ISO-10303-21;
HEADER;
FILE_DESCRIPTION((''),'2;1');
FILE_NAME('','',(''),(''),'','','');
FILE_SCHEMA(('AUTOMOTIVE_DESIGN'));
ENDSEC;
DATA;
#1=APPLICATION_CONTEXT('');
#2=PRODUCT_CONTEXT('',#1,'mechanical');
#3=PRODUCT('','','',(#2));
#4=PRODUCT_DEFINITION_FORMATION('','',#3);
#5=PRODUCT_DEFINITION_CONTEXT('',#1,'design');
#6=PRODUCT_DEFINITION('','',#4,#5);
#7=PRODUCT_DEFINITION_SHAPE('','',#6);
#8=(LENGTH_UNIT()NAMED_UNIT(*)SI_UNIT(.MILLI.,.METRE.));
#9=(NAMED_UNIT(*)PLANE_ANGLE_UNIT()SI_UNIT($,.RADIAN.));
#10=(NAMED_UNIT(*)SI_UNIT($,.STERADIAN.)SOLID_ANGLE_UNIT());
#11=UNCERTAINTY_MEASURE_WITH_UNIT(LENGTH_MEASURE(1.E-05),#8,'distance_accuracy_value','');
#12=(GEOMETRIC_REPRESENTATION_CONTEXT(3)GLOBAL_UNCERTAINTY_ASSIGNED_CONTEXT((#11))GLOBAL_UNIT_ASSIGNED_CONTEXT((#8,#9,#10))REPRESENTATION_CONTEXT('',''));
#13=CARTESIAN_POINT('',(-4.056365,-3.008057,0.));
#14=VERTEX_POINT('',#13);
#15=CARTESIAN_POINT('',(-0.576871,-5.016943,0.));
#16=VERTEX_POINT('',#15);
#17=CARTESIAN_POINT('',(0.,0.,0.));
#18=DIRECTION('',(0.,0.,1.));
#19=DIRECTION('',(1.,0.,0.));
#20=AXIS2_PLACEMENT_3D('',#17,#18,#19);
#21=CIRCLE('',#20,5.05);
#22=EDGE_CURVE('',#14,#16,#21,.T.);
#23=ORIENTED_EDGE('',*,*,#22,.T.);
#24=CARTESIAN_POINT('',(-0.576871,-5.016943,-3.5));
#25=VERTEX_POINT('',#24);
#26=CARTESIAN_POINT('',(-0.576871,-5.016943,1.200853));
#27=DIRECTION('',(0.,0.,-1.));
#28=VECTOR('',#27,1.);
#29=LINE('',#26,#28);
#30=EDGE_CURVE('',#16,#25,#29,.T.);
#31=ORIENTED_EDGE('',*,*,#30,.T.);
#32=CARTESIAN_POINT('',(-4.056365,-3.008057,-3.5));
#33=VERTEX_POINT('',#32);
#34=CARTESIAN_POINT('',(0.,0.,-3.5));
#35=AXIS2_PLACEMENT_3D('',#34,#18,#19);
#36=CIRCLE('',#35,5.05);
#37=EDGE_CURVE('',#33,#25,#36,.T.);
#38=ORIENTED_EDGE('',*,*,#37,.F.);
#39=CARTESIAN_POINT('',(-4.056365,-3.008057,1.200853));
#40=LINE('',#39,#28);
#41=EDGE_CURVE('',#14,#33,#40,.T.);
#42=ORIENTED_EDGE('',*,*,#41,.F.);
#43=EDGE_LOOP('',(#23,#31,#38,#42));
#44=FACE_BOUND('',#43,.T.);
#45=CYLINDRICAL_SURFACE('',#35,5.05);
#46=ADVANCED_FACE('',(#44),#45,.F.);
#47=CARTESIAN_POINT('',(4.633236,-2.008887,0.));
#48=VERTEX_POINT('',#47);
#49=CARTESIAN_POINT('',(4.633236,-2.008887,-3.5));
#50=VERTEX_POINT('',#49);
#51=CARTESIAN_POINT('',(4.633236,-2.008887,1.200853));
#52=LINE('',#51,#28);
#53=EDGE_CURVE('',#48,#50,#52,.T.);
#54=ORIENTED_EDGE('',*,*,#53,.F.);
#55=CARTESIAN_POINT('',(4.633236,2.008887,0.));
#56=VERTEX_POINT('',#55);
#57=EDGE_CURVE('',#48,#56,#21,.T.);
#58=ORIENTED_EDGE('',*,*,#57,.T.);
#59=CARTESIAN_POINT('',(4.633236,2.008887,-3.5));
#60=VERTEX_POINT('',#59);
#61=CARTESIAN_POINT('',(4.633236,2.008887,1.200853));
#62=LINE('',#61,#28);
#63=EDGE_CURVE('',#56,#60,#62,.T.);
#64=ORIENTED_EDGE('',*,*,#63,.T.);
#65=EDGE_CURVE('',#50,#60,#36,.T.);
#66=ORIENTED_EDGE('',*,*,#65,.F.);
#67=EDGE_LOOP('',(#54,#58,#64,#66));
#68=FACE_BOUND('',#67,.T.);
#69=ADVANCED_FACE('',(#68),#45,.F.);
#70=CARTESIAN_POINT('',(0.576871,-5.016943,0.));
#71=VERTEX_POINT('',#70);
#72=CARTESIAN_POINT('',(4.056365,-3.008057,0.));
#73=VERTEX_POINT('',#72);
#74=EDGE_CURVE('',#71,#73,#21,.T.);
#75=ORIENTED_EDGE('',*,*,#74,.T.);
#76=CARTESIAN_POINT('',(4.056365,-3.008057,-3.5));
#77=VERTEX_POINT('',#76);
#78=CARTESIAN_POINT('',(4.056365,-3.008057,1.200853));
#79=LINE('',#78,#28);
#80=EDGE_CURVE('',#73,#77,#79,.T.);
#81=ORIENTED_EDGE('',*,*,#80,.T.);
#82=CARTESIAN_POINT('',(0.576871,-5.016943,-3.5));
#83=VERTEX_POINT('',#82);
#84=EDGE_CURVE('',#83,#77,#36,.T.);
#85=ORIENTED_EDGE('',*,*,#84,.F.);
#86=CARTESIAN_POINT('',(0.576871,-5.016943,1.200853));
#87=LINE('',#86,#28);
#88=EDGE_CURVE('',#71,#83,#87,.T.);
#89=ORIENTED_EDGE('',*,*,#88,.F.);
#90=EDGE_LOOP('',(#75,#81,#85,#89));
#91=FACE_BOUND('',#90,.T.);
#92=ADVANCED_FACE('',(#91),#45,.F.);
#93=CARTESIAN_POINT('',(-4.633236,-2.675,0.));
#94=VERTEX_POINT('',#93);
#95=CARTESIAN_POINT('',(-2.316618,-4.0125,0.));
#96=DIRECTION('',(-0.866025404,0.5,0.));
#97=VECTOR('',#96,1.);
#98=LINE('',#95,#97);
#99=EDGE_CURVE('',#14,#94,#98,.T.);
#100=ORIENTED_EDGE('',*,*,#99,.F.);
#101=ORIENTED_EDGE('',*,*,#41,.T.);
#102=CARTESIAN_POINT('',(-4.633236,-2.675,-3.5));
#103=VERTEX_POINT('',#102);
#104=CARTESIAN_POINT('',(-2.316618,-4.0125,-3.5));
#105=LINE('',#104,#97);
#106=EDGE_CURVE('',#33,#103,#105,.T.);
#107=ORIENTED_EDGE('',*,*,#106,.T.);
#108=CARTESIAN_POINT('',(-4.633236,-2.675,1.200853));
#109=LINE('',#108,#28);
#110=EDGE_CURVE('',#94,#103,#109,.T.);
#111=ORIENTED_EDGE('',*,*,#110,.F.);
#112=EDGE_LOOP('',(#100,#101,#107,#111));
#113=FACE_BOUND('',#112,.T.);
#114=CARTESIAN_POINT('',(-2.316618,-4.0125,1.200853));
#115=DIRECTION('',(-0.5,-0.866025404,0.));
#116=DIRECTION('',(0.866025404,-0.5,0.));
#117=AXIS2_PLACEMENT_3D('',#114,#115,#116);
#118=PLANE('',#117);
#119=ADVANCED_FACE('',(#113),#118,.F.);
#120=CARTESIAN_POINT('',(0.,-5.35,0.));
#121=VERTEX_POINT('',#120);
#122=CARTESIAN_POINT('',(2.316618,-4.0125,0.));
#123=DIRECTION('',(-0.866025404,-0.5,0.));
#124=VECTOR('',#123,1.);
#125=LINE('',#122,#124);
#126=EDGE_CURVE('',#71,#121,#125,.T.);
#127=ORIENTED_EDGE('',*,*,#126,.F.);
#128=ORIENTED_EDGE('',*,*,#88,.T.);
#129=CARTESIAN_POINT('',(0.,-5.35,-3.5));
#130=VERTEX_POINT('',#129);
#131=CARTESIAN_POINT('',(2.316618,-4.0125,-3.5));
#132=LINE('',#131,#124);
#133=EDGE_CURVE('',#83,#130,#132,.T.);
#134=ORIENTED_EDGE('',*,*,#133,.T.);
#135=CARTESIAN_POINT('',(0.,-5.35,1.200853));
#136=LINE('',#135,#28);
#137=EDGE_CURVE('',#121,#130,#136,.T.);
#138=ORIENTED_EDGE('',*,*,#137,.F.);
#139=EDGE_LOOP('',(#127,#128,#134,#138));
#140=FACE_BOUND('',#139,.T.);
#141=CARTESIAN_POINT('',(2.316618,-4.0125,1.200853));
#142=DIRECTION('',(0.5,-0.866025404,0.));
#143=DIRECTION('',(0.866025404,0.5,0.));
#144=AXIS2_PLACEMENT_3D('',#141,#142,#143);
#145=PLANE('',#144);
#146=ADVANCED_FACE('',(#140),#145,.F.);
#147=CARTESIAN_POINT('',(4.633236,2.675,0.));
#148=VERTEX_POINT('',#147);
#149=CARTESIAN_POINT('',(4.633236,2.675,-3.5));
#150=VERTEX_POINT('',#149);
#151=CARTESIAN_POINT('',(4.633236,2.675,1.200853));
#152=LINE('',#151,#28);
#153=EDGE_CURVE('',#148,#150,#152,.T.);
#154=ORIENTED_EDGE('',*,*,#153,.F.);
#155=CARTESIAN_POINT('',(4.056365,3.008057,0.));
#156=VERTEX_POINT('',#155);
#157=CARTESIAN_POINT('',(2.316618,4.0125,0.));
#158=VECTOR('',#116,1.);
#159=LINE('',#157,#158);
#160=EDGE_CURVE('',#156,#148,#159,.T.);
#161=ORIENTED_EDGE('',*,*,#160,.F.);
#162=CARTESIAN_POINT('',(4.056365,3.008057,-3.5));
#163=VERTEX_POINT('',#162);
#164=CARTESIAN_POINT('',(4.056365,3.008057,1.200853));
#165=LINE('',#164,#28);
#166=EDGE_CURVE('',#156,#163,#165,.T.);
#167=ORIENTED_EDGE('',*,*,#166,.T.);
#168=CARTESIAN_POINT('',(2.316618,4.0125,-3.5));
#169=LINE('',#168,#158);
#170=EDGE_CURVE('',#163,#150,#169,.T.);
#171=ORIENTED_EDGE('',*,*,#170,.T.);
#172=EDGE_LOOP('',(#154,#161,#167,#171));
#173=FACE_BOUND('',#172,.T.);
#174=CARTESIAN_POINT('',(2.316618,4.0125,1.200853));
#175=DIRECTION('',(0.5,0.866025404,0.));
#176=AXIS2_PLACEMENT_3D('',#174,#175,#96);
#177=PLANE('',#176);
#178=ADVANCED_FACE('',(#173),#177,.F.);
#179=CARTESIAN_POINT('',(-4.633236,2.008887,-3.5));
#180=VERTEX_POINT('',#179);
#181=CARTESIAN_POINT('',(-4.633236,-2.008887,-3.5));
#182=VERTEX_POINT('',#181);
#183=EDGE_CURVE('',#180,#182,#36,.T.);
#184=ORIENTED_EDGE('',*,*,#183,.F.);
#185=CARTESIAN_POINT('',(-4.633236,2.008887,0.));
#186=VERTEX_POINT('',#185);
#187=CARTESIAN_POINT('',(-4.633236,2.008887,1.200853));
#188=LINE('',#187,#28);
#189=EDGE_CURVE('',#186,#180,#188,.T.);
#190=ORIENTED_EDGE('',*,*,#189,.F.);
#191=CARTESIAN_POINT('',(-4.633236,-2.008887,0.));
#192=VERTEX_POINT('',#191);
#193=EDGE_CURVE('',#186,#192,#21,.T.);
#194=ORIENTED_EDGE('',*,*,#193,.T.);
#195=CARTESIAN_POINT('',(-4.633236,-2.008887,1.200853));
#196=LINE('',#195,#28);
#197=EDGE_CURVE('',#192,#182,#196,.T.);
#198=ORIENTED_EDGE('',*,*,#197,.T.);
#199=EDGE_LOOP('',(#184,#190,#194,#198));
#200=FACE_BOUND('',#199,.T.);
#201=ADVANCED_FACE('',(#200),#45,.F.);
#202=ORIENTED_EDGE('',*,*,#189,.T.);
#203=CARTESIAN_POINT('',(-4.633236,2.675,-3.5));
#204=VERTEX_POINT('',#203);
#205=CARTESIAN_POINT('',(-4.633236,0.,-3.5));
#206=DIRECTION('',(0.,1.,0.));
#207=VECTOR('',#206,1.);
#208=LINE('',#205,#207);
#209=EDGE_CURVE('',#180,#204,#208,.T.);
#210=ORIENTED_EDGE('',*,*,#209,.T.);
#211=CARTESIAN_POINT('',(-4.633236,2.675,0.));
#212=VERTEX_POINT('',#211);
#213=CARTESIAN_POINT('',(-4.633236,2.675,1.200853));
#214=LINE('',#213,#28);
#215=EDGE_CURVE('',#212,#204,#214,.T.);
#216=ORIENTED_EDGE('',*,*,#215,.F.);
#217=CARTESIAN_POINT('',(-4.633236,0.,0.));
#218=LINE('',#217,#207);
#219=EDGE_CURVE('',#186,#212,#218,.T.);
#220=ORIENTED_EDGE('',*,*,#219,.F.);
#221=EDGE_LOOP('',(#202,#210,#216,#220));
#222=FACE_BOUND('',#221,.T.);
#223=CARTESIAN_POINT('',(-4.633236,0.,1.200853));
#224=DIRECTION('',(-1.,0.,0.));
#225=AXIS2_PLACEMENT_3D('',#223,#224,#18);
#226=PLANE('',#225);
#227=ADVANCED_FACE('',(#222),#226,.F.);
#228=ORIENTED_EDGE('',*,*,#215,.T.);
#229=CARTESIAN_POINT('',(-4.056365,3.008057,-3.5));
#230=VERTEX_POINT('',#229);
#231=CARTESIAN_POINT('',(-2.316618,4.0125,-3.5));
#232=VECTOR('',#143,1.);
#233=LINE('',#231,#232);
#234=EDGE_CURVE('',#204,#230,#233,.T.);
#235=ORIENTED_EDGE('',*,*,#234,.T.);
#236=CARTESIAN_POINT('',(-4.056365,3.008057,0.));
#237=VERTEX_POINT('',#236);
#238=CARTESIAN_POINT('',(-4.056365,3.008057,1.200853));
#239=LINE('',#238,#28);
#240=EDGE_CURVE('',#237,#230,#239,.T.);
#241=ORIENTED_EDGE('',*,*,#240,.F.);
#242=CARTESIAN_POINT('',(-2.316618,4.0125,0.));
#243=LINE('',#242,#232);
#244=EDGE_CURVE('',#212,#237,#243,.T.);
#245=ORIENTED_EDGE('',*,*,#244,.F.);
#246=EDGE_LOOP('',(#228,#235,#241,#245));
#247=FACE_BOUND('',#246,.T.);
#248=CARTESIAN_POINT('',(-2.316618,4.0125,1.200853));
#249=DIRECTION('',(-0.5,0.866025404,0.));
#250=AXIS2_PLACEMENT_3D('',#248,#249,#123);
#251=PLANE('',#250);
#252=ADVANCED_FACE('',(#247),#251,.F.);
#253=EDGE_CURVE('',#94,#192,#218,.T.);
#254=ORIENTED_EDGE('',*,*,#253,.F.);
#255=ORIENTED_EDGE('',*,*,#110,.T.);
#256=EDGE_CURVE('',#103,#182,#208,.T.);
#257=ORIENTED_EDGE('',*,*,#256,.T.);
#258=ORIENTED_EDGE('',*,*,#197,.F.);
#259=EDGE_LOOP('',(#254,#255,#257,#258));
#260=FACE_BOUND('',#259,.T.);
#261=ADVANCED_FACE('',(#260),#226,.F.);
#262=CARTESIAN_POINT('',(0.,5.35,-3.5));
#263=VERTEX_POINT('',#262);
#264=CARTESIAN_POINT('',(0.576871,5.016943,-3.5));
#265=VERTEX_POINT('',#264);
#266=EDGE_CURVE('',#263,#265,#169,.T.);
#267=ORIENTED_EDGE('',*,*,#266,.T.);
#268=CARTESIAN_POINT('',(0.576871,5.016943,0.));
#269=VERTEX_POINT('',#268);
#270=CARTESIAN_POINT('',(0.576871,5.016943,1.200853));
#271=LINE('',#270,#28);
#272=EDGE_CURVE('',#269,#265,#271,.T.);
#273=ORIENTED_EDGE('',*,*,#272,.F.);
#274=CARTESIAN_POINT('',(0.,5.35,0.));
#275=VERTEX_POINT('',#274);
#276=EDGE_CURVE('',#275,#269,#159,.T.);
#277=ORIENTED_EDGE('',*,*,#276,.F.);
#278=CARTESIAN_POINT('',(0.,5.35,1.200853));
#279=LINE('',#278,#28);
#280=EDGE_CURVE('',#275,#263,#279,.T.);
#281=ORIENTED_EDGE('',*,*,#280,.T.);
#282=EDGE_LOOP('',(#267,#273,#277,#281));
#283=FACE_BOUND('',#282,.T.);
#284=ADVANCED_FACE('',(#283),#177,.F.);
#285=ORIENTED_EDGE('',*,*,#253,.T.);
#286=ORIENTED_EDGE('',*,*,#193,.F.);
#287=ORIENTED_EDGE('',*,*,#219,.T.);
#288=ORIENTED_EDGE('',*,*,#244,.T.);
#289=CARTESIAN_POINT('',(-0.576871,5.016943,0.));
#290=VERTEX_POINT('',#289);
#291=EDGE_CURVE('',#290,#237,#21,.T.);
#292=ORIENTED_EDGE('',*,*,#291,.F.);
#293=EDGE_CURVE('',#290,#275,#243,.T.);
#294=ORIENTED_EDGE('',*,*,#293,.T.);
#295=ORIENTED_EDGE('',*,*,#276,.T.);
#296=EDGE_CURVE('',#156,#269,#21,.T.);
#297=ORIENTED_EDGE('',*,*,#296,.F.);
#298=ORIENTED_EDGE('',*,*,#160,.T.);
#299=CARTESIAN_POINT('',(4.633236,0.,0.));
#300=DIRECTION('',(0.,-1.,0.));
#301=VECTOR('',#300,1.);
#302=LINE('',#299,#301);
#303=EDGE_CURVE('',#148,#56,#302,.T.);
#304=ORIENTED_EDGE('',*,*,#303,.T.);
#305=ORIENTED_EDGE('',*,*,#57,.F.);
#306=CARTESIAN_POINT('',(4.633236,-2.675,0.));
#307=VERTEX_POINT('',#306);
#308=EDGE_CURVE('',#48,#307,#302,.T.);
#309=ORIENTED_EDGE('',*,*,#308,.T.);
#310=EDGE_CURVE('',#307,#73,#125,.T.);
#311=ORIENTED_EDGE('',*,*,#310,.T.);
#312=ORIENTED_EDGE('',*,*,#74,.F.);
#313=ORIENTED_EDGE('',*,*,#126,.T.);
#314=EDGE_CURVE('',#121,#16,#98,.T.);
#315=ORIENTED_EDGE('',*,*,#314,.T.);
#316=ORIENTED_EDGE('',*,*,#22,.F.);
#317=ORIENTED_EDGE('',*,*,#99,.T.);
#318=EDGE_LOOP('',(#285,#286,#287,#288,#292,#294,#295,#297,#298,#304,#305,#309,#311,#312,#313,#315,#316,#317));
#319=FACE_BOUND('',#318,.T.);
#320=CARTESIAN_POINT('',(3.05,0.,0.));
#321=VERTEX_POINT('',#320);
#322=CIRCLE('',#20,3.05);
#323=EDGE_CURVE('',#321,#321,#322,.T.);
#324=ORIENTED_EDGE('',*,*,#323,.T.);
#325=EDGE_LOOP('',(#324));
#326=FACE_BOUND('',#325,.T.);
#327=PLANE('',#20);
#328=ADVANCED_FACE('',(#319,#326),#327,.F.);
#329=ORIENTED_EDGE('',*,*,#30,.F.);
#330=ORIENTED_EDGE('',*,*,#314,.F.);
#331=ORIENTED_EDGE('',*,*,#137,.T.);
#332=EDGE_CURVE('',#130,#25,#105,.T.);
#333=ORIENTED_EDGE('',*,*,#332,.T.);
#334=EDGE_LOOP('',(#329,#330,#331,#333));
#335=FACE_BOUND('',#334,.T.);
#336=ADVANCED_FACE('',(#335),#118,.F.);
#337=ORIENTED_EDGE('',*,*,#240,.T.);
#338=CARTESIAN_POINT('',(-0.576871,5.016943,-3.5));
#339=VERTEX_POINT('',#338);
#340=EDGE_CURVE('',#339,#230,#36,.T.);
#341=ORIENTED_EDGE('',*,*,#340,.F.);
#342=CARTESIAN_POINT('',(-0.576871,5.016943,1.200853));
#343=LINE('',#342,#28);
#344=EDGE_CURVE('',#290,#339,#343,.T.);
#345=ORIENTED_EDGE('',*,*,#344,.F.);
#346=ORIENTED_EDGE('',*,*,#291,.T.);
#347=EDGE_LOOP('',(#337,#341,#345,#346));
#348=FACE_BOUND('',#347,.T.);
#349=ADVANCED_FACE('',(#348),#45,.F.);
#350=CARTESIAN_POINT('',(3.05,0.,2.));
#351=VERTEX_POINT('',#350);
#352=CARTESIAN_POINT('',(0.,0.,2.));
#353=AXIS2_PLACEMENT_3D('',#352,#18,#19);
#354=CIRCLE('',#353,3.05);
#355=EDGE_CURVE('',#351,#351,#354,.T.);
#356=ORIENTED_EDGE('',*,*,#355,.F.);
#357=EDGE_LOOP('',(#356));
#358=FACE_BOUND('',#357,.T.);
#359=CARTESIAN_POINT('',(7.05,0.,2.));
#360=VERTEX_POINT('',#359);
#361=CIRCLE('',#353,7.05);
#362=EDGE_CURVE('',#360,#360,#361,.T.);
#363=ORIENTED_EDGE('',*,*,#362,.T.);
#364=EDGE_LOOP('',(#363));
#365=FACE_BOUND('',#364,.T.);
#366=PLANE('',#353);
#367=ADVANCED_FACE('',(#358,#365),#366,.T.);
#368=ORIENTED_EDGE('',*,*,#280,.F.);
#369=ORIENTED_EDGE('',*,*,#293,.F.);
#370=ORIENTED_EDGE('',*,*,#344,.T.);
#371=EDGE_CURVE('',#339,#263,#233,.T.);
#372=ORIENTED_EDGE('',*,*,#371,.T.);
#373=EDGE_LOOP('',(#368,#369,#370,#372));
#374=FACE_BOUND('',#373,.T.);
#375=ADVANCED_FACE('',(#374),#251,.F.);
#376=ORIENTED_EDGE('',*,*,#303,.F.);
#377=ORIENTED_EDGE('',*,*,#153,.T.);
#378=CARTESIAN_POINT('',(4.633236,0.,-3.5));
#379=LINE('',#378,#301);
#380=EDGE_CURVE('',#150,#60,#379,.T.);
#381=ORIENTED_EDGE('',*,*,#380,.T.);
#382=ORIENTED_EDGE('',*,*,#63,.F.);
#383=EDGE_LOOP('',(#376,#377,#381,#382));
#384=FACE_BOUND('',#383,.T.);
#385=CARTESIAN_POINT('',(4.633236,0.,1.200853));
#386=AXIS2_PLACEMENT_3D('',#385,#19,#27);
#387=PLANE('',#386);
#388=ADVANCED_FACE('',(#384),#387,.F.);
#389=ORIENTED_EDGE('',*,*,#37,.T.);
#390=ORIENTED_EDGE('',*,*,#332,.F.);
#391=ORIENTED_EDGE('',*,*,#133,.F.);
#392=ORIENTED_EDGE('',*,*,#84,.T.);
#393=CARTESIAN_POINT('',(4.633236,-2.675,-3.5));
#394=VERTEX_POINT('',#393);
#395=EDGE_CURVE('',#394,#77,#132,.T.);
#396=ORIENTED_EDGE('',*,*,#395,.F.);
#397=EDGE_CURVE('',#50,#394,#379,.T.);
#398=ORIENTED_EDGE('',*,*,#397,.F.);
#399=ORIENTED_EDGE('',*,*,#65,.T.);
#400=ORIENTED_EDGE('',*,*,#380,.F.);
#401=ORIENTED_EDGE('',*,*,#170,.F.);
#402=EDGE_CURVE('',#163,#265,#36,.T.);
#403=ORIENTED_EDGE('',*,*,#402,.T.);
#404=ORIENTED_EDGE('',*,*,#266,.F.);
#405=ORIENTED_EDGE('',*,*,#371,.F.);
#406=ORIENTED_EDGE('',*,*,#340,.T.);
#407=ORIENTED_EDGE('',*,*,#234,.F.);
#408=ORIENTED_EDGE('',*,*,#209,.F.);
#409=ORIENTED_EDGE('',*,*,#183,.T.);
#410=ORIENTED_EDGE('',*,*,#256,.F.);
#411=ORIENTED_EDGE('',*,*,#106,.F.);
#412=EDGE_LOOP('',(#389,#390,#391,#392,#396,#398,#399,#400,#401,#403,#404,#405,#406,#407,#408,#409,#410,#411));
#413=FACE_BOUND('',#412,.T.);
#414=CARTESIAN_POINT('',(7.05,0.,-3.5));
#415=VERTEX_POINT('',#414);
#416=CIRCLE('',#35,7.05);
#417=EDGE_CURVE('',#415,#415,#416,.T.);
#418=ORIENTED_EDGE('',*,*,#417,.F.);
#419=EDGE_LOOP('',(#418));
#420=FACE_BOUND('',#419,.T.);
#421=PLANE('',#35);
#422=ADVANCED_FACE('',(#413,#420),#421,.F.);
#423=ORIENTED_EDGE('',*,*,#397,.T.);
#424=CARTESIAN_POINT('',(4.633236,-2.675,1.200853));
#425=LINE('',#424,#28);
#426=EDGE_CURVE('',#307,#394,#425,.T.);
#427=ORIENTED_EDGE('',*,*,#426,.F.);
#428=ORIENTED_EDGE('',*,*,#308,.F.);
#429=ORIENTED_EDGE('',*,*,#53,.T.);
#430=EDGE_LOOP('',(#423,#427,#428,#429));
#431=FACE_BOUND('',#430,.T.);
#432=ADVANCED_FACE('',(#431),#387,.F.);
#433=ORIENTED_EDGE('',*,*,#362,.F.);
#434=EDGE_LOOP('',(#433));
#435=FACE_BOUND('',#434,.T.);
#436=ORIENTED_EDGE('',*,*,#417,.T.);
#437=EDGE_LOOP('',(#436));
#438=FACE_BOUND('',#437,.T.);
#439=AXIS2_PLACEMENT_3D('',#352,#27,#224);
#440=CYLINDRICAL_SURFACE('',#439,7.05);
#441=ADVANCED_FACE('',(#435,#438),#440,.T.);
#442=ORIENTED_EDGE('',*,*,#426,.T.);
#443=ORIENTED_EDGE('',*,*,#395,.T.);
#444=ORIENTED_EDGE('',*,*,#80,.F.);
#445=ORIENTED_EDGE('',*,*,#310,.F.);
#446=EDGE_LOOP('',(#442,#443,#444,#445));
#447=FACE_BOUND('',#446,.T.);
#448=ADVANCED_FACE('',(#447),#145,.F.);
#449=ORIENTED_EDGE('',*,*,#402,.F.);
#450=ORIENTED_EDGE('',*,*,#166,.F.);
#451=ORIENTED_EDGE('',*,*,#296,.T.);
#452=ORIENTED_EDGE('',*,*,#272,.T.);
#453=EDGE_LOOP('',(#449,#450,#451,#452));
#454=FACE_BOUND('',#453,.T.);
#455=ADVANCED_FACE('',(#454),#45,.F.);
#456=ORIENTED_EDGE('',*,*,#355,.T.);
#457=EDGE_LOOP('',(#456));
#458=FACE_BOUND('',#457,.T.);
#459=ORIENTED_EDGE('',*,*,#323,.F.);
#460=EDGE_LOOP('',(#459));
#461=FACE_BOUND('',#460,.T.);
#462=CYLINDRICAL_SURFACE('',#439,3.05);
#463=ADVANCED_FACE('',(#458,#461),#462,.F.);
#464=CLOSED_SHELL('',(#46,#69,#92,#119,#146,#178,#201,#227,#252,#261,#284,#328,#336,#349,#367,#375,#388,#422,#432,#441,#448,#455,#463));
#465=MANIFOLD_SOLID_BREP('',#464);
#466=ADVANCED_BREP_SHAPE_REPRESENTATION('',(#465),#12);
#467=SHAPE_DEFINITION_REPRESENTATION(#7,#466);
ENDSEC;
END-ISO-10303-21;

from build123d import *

# Parameters (mm, degrees)
SKETCH1_R           = 7.05
SKETCH1_R_2         = 5.05
SKETCH1_R_3         = 3.05
BOSS_EXTRUDE1_DEPTH = 2
BOSS_EXTRUDE2_START = -3.5
SKETCH1_3_R         = 7.05
SKETCH1_3_R_2       = 5.05
BOSS_EXTRUDE2_DEPTH = 3.5
CUT_EXTRUDE1_DEPTH  = 3.5


with BuildPart() as part:
    # Sketch1 → Boss-Extrude1 (new body)
    # profile 1 of 2: a face of its own
    with BuildSketch(Plane.XY):
        Circle(SKETCH1_R)
        Circle(SKETCH1_R_2, mode=Mode.SUBTRACT)
    # profile 2 of 2: a face of its own
    with BuildSketch(Plane.XY):
        Circle(SKETCH1_R_2)
        Circle(SKETCH1_R_3, mode=Mode.SUBTRACT)
    extrude(amount=BOSS_EXTRUDE1_DEPTH)

    # Sketch1<3> → Boss-Extrude2 (add)
    with BuildSketch(Plane.XY.offset(BOSS_EXTRUDE2_START)):
        Circle(SKETCH1_3_R)
        Circle(SKETCH1_3_R_2, mode=Mode.SUBTRACT)
    extrude(amount=BOSS_EXTRUDE2_DEPTH)

    # Sketch2 → Cut-Extrude1 (cut)
    with BuildSketch(Plane(origin=(0, 0, -3.5), x_dir=(-1, 0, 0), z_dir=(0, 0, -1))):
        with BuildLine():
            Line((0.576871206, 5.016943254), (0, 5.35))
            Line((0, 5.35), (-0.576871206, 5.016943254))
            ThreePointArc((-0.576871206, 5.016943254), (0, 5.05), (0.576871206, 5.016943254))
        make_face()
        with BuildLine():
            Line((4.63323591, 2.675), (4.056364704, 3.008056746))
            ThreePointArc((4.056364704, 3.008056746), (4.373428289, 2.525), (4.63323591, 2.008886507))
            Line((4.63323591, 2.008886507), (4.63323591, 2.675))
        make_face()
        with BuildLine():
            ThreePointArc((-4.63323591, 2.008886507), (-4.373428289, 2.525), (-4.056364704, 3.008056746))
            Line((-4.056364704, 3.008056746), (-4.63323591, 2.675))
            Line((-4.63323591, 2.675), (-4.63323591, 2.008886507))
        make_face()
        with BuildLine():
            ThreePointArc((-4.056364704, -3.008056746), (-4.373428289, -2.525), (-4.63323591, -2.008886507))
            Line((-4.63323591, -2.008886507), (-4.63323591, -2.675))
            Line((-4.63323591, -2.675), (-4.056364704, -3.008056746))
        make_face()
        with BuildLine():
            ThreePointArc((0.576871206, -5.016943254), (0, -5.05), (-0.576871206, -5.016943254))
            Line((-0.576871206, -5.016943254), (0, -5.35))
            Line((0, -5.35), (0.576871206, -5.016943254))
        make_face()
        with BuildLine():
            Line((4.63323591, -2.675), (4.63323591, -2.008886507))
            ThreePointArc((4.63323591, -2.008886507), (4.373428289, -2.525), (4.056364704, -3.008056746))
            Line((4.056364704, -3.008056746), (4.63323591, -2.675))
        make_face()
    extrude(amount=-CUT_EXTRUDE1_DEPTH, mode=Mode.SUBTRACT)


solid = part.part
